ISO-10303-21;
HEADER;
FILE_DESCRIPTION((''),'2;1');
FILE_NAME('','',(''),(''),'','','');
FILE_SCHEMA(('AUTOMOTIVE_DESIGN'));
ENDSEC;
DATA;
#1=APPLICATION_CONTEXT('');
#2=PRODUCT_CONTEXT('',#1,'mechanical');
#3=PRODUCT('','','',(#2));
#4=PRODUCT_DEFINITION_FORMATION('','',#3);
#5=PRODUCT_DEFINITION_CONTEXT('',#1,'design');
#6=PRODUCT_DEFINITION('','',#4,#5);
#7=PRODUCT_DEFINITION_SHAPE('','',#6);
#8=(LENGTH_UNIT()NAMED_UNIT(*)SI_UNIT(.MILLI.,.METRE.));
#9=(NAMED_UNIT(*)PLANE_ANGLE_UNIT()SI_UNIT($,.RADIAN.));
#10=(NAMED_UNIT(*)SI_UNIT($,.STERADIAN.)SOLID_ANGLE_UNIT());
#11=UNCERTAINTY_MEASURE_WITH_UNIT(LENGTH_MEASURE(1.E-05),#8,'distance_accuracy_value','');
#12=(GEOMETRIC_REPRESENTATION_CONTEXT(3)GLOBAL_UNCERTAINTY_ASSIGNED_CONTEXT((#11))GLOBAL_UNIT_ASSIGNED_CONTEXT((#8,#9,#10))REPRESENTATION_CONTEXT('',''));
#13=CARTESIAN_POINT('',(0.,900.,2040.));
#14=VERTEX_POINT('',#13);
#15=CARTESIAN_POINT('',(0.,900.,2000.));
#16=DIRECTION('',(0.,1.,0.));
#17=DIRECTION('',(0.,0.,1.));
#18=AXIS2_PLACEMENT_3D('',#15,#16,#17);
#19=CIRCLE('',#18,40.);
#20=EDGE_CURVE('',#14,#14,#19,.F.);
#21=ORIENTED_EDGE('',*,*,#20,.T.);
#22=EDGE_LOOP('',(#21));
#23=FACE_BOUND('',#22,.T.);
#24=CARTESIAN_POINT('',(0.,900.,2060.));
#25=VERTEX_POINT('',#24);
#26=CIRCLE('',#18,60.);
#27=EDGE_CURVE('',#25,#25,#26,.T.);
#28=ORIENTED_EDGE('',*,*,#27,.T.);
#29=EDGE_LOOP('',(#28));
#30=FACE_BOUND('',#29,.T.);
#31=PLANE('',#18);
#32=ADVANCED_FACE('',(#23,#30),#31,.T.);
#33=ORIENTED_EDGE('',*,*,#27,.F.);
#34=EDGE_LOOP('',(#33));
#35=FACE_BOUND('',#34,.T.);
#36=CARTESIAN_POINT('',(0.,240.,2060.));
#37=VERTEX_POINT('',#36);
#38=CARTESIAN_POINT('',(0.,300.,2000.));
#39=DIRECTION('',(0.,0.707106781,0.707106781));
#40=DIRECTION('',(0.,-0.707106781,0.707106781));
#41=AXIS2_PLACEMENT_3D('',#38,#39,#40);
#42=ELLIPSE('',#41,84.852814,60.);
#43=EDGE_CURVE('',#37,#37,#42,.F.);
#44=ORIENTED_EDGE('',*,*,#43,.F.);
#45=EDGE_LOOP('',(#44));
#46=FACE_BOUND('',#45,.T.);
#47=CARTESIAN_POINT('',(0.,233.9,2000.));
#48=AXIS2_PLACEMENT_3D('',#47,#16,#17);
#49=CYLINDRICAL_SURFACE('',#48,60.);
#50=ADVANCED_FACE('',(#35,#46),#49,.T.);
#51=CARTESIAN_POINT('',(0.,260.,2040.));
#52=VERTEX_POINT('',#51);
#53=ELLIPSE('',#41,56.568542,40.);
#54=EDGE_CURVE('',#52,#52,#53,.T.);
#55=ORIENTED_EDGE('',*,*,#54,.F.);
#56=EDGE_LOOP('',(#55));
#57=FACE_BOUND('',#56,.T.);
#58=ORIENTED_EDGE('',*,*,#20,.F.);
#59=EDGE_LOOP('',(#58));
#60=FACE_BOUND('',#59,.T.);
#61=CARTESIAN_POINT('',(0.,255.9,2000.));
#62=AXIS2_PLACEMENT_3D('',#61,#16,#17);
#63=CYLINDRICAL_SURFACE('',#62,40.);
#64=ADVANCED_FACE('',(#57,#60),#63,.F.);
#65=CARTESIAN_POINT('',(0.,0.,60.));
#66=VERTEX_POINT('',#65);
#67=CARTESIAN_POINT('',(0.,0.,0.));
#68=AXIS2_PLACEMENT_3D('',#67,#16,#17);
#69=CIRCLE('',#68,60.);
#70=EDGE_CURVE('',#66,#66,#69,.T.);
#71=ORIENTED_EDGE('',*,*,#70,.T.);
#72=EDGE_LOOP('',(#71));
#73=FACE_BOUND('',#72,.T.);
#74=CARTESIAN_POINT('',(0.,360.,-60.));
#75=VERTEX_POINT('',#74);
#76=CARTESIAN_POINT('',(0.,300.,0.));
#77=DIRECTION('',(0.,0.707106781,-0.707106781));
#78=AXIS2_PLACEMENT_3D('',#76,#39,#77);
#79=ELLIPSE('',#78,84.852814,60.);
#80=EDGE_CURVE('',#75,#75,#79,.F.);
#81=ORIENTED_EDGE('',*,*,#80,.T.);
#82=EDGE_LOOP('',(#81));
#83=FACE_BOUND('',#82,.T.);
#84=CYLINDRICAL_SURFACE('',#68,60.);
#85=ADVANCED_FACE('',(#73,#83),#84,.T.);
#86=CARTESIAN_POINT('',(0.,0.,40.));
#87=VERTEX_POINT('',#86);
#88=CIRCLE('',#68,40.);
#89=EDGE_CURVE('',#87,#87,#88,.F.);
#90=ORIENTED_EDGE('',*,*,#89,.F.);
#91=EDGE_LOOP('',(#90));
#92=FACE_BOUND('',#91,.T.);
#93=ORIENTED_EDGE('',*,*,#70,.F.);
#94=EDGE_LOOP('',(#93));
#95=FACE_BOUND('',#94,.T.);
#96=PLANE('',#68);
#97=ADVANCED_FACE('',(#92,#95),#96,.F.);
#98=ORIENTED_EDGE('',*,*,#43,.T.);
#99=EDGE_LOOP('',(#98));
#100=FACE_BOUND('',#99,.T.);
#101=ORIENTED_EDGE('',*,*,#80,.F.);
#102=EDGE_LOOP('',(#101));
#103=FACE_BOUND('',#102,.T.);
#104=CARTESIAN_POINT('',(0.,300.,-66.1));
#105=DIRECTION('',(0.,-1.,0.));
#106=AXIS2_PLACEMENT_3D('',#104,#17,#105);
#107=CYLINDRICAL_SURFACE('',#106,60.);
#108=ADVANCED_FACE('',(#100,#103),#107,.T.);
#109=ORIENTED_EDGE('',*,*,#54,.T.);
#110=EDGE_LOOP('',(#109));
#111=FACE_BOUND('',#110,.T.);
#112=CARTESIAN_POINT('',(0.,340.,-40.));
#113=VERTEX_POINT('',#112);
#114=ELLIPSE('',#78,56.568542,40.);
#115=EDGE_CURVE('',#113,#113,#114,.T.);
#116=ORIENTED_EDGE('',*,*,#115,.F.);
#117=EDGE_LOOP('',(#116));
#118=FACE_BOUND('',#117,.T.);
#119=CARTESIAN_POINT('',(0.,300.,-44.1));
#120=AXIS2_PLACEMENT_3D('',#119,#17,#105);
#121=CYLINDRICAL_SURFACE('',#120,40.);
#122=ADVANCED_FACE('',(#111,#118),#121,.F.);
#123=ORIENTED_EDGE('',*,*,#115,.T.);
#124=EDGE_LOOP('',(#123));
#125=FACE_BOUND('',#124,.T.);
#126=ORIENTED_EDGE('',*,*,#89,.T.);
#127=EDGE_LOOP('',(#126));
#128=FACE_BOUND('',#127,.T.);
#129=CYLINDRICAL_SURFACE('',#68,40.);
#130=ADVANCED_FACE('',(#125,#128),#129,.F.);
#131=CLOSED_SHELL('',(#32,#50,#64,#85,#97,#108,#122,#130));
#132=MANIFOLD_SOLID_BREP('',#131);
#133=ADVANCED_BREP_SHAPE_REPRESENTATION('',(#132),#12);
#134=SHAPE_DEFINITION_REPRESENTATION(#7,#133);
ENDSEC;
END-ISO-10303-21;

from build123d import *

# Parameters (mm, degrees)
SKETCH4_R   = 60
SKETCH4_R_2 = 40


with BuildPart() as part:
    # Sweep1: sweep along a path in Sketch1
    with BuildLine(Plane(origin=(0, 0, 0), x_dir=(0, 0, -1), z_dir=(1, 0, 0))) as sweep1_path:
        Line((0, 0), (0, 300))
        Line((0, 300), (-2000, 300))
        Line((-2000, 300), (-2000, 900))
    # Sketch4 → Sweep1 (sweep)
    with BuildSketch(Plane(origin=(0, 0, 0), x_dir=(1, 0, 0), z_dir=(0, 1, 0))):
        Circle(SKETCH4_R)
        Circle(SKETCH4_R_2, mode=Mode.SUBTRACT)
    sweep(path=sweep1_path.line, transition=Transition.RIGHT)


solid = part.part
